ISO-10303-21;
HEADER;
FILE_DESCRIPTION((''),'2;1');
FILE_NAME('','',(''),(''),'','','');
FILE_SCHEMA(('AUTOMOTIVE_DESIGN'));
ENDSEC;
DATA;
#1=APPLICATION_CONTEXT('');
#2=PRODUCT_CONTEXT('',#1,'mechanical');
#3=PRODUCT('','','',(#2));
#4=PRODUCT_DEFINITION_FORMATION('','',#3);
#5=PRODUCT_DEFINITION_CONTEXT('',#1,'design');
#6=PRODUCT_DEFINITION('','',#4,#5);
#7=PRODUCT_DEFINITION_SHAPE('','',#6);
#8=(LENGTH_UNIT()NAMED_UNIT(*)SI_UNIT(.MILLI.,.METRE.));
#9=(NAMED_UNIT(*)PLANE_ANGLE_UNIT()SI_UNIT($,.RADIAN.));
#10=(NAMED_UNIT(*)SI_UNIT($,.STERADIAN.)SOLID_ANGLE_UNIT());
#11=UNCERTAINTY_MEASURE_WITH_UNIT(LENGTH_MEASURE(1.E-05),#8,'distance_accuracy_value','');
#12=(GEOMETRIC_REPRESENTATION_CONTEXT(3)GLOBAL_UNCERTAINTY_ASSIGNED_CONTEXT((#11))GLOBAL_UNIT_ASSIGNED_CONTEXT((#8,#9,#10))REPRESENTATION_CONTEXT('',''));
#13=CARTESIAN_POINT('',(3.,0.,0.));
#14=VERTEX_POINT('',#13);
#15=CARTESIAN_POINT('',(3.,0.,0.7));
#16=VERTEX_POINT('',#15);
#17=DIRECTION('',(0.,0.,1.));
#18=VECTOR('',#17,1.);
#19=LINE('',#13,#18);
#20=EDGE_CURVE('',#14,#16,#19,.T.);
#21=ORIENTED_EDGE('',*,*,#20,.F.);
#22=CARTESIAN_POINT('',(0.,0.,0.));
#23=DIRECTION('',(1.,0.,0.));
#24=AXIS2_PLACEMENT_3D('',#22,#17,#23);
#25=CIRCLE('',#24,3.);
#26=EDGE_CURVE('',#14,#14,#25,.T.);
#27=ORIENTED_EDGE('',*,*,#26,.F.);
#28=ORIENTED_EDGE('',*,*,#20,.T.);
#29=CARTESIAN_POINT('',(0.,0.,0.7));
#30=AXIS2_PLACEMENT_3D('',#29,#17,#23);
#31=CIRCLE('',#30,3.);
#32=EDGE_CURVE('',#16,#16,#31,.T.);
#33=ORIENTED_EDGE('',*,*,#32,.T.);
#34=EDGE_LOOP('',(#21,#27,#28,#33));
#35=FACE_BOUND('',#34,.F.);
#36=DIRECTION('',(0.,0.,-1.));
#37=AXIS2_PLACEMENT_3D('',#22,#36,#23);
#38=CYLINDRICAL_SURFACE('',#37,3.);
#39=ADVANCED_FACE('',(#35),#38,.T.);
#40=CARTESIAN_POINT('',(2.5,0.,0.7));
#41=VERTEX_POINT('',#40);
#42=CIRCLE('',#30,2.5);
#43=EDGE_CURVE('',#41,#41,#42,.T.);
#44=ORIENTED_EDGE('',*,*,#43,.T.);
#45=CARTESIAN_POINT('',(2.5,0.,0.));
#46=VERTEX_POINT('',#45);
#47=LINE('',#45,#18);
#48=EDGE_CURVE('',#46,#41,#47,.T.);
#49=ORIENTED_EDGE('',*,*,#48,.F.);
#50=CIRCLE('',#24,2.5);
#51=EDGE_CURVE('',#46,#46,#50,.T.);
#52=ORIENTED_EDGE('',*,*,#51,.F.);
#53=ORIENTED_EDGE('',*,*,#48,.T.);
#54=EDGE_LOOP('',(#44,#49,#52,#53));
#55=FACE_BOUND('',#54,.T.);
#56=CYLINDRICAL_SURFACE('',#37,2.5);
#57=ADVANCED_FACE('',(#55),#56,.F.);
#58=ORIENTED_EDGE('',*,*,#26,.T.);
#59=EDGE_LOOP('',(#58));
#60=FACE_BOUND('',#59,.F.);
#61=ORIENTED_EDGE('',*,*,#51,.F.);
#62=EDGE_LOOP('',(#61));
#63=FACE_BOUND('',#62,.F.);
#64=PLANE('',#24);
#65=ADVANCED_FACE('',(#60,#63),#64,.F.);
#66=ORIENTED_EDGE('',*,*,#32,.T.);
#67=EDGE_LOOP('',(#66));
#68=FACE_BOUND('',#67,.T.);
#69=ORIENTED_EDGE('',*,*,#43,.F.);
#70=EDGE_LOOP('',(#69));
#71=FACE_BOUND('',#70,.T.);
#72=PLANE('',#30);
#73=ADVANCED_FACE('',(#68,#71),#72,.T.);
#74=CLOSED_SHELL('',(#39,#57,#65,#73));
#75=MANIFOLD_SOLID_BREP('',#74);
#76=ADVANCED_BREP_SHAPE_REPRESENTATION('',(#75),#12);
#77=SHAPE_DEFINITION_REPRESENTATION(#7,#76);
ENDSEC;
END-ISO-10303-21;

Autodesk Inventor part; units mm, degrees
ref_plane "YZ Plane" through (0, 0, 0) normal (1, 0, 0) x (0, 1, 0)
ref_plane "XZ Plane" through (0, 0, 0) normal (0, 1, 0) x (-1, 0, 0)
ref_plane "XY Plane" through (0, 0, 0) normal (0, 0, 1) x (1, 0, 0)
sketch "Sketch1" plane through (0, 0, 0) normal (0, 0, 1) x (1, 0, 0)
  circle A0 centre (0, 0) radius 2.5
  circle A1 centre (0, 0) radius 3
  dimension "d0" = 5
  dimension "d1" = 6
extrude "Extrusion1" add sketch "Sketch1" along normal blind 0.7
properties part number "YBeltWasher5"
